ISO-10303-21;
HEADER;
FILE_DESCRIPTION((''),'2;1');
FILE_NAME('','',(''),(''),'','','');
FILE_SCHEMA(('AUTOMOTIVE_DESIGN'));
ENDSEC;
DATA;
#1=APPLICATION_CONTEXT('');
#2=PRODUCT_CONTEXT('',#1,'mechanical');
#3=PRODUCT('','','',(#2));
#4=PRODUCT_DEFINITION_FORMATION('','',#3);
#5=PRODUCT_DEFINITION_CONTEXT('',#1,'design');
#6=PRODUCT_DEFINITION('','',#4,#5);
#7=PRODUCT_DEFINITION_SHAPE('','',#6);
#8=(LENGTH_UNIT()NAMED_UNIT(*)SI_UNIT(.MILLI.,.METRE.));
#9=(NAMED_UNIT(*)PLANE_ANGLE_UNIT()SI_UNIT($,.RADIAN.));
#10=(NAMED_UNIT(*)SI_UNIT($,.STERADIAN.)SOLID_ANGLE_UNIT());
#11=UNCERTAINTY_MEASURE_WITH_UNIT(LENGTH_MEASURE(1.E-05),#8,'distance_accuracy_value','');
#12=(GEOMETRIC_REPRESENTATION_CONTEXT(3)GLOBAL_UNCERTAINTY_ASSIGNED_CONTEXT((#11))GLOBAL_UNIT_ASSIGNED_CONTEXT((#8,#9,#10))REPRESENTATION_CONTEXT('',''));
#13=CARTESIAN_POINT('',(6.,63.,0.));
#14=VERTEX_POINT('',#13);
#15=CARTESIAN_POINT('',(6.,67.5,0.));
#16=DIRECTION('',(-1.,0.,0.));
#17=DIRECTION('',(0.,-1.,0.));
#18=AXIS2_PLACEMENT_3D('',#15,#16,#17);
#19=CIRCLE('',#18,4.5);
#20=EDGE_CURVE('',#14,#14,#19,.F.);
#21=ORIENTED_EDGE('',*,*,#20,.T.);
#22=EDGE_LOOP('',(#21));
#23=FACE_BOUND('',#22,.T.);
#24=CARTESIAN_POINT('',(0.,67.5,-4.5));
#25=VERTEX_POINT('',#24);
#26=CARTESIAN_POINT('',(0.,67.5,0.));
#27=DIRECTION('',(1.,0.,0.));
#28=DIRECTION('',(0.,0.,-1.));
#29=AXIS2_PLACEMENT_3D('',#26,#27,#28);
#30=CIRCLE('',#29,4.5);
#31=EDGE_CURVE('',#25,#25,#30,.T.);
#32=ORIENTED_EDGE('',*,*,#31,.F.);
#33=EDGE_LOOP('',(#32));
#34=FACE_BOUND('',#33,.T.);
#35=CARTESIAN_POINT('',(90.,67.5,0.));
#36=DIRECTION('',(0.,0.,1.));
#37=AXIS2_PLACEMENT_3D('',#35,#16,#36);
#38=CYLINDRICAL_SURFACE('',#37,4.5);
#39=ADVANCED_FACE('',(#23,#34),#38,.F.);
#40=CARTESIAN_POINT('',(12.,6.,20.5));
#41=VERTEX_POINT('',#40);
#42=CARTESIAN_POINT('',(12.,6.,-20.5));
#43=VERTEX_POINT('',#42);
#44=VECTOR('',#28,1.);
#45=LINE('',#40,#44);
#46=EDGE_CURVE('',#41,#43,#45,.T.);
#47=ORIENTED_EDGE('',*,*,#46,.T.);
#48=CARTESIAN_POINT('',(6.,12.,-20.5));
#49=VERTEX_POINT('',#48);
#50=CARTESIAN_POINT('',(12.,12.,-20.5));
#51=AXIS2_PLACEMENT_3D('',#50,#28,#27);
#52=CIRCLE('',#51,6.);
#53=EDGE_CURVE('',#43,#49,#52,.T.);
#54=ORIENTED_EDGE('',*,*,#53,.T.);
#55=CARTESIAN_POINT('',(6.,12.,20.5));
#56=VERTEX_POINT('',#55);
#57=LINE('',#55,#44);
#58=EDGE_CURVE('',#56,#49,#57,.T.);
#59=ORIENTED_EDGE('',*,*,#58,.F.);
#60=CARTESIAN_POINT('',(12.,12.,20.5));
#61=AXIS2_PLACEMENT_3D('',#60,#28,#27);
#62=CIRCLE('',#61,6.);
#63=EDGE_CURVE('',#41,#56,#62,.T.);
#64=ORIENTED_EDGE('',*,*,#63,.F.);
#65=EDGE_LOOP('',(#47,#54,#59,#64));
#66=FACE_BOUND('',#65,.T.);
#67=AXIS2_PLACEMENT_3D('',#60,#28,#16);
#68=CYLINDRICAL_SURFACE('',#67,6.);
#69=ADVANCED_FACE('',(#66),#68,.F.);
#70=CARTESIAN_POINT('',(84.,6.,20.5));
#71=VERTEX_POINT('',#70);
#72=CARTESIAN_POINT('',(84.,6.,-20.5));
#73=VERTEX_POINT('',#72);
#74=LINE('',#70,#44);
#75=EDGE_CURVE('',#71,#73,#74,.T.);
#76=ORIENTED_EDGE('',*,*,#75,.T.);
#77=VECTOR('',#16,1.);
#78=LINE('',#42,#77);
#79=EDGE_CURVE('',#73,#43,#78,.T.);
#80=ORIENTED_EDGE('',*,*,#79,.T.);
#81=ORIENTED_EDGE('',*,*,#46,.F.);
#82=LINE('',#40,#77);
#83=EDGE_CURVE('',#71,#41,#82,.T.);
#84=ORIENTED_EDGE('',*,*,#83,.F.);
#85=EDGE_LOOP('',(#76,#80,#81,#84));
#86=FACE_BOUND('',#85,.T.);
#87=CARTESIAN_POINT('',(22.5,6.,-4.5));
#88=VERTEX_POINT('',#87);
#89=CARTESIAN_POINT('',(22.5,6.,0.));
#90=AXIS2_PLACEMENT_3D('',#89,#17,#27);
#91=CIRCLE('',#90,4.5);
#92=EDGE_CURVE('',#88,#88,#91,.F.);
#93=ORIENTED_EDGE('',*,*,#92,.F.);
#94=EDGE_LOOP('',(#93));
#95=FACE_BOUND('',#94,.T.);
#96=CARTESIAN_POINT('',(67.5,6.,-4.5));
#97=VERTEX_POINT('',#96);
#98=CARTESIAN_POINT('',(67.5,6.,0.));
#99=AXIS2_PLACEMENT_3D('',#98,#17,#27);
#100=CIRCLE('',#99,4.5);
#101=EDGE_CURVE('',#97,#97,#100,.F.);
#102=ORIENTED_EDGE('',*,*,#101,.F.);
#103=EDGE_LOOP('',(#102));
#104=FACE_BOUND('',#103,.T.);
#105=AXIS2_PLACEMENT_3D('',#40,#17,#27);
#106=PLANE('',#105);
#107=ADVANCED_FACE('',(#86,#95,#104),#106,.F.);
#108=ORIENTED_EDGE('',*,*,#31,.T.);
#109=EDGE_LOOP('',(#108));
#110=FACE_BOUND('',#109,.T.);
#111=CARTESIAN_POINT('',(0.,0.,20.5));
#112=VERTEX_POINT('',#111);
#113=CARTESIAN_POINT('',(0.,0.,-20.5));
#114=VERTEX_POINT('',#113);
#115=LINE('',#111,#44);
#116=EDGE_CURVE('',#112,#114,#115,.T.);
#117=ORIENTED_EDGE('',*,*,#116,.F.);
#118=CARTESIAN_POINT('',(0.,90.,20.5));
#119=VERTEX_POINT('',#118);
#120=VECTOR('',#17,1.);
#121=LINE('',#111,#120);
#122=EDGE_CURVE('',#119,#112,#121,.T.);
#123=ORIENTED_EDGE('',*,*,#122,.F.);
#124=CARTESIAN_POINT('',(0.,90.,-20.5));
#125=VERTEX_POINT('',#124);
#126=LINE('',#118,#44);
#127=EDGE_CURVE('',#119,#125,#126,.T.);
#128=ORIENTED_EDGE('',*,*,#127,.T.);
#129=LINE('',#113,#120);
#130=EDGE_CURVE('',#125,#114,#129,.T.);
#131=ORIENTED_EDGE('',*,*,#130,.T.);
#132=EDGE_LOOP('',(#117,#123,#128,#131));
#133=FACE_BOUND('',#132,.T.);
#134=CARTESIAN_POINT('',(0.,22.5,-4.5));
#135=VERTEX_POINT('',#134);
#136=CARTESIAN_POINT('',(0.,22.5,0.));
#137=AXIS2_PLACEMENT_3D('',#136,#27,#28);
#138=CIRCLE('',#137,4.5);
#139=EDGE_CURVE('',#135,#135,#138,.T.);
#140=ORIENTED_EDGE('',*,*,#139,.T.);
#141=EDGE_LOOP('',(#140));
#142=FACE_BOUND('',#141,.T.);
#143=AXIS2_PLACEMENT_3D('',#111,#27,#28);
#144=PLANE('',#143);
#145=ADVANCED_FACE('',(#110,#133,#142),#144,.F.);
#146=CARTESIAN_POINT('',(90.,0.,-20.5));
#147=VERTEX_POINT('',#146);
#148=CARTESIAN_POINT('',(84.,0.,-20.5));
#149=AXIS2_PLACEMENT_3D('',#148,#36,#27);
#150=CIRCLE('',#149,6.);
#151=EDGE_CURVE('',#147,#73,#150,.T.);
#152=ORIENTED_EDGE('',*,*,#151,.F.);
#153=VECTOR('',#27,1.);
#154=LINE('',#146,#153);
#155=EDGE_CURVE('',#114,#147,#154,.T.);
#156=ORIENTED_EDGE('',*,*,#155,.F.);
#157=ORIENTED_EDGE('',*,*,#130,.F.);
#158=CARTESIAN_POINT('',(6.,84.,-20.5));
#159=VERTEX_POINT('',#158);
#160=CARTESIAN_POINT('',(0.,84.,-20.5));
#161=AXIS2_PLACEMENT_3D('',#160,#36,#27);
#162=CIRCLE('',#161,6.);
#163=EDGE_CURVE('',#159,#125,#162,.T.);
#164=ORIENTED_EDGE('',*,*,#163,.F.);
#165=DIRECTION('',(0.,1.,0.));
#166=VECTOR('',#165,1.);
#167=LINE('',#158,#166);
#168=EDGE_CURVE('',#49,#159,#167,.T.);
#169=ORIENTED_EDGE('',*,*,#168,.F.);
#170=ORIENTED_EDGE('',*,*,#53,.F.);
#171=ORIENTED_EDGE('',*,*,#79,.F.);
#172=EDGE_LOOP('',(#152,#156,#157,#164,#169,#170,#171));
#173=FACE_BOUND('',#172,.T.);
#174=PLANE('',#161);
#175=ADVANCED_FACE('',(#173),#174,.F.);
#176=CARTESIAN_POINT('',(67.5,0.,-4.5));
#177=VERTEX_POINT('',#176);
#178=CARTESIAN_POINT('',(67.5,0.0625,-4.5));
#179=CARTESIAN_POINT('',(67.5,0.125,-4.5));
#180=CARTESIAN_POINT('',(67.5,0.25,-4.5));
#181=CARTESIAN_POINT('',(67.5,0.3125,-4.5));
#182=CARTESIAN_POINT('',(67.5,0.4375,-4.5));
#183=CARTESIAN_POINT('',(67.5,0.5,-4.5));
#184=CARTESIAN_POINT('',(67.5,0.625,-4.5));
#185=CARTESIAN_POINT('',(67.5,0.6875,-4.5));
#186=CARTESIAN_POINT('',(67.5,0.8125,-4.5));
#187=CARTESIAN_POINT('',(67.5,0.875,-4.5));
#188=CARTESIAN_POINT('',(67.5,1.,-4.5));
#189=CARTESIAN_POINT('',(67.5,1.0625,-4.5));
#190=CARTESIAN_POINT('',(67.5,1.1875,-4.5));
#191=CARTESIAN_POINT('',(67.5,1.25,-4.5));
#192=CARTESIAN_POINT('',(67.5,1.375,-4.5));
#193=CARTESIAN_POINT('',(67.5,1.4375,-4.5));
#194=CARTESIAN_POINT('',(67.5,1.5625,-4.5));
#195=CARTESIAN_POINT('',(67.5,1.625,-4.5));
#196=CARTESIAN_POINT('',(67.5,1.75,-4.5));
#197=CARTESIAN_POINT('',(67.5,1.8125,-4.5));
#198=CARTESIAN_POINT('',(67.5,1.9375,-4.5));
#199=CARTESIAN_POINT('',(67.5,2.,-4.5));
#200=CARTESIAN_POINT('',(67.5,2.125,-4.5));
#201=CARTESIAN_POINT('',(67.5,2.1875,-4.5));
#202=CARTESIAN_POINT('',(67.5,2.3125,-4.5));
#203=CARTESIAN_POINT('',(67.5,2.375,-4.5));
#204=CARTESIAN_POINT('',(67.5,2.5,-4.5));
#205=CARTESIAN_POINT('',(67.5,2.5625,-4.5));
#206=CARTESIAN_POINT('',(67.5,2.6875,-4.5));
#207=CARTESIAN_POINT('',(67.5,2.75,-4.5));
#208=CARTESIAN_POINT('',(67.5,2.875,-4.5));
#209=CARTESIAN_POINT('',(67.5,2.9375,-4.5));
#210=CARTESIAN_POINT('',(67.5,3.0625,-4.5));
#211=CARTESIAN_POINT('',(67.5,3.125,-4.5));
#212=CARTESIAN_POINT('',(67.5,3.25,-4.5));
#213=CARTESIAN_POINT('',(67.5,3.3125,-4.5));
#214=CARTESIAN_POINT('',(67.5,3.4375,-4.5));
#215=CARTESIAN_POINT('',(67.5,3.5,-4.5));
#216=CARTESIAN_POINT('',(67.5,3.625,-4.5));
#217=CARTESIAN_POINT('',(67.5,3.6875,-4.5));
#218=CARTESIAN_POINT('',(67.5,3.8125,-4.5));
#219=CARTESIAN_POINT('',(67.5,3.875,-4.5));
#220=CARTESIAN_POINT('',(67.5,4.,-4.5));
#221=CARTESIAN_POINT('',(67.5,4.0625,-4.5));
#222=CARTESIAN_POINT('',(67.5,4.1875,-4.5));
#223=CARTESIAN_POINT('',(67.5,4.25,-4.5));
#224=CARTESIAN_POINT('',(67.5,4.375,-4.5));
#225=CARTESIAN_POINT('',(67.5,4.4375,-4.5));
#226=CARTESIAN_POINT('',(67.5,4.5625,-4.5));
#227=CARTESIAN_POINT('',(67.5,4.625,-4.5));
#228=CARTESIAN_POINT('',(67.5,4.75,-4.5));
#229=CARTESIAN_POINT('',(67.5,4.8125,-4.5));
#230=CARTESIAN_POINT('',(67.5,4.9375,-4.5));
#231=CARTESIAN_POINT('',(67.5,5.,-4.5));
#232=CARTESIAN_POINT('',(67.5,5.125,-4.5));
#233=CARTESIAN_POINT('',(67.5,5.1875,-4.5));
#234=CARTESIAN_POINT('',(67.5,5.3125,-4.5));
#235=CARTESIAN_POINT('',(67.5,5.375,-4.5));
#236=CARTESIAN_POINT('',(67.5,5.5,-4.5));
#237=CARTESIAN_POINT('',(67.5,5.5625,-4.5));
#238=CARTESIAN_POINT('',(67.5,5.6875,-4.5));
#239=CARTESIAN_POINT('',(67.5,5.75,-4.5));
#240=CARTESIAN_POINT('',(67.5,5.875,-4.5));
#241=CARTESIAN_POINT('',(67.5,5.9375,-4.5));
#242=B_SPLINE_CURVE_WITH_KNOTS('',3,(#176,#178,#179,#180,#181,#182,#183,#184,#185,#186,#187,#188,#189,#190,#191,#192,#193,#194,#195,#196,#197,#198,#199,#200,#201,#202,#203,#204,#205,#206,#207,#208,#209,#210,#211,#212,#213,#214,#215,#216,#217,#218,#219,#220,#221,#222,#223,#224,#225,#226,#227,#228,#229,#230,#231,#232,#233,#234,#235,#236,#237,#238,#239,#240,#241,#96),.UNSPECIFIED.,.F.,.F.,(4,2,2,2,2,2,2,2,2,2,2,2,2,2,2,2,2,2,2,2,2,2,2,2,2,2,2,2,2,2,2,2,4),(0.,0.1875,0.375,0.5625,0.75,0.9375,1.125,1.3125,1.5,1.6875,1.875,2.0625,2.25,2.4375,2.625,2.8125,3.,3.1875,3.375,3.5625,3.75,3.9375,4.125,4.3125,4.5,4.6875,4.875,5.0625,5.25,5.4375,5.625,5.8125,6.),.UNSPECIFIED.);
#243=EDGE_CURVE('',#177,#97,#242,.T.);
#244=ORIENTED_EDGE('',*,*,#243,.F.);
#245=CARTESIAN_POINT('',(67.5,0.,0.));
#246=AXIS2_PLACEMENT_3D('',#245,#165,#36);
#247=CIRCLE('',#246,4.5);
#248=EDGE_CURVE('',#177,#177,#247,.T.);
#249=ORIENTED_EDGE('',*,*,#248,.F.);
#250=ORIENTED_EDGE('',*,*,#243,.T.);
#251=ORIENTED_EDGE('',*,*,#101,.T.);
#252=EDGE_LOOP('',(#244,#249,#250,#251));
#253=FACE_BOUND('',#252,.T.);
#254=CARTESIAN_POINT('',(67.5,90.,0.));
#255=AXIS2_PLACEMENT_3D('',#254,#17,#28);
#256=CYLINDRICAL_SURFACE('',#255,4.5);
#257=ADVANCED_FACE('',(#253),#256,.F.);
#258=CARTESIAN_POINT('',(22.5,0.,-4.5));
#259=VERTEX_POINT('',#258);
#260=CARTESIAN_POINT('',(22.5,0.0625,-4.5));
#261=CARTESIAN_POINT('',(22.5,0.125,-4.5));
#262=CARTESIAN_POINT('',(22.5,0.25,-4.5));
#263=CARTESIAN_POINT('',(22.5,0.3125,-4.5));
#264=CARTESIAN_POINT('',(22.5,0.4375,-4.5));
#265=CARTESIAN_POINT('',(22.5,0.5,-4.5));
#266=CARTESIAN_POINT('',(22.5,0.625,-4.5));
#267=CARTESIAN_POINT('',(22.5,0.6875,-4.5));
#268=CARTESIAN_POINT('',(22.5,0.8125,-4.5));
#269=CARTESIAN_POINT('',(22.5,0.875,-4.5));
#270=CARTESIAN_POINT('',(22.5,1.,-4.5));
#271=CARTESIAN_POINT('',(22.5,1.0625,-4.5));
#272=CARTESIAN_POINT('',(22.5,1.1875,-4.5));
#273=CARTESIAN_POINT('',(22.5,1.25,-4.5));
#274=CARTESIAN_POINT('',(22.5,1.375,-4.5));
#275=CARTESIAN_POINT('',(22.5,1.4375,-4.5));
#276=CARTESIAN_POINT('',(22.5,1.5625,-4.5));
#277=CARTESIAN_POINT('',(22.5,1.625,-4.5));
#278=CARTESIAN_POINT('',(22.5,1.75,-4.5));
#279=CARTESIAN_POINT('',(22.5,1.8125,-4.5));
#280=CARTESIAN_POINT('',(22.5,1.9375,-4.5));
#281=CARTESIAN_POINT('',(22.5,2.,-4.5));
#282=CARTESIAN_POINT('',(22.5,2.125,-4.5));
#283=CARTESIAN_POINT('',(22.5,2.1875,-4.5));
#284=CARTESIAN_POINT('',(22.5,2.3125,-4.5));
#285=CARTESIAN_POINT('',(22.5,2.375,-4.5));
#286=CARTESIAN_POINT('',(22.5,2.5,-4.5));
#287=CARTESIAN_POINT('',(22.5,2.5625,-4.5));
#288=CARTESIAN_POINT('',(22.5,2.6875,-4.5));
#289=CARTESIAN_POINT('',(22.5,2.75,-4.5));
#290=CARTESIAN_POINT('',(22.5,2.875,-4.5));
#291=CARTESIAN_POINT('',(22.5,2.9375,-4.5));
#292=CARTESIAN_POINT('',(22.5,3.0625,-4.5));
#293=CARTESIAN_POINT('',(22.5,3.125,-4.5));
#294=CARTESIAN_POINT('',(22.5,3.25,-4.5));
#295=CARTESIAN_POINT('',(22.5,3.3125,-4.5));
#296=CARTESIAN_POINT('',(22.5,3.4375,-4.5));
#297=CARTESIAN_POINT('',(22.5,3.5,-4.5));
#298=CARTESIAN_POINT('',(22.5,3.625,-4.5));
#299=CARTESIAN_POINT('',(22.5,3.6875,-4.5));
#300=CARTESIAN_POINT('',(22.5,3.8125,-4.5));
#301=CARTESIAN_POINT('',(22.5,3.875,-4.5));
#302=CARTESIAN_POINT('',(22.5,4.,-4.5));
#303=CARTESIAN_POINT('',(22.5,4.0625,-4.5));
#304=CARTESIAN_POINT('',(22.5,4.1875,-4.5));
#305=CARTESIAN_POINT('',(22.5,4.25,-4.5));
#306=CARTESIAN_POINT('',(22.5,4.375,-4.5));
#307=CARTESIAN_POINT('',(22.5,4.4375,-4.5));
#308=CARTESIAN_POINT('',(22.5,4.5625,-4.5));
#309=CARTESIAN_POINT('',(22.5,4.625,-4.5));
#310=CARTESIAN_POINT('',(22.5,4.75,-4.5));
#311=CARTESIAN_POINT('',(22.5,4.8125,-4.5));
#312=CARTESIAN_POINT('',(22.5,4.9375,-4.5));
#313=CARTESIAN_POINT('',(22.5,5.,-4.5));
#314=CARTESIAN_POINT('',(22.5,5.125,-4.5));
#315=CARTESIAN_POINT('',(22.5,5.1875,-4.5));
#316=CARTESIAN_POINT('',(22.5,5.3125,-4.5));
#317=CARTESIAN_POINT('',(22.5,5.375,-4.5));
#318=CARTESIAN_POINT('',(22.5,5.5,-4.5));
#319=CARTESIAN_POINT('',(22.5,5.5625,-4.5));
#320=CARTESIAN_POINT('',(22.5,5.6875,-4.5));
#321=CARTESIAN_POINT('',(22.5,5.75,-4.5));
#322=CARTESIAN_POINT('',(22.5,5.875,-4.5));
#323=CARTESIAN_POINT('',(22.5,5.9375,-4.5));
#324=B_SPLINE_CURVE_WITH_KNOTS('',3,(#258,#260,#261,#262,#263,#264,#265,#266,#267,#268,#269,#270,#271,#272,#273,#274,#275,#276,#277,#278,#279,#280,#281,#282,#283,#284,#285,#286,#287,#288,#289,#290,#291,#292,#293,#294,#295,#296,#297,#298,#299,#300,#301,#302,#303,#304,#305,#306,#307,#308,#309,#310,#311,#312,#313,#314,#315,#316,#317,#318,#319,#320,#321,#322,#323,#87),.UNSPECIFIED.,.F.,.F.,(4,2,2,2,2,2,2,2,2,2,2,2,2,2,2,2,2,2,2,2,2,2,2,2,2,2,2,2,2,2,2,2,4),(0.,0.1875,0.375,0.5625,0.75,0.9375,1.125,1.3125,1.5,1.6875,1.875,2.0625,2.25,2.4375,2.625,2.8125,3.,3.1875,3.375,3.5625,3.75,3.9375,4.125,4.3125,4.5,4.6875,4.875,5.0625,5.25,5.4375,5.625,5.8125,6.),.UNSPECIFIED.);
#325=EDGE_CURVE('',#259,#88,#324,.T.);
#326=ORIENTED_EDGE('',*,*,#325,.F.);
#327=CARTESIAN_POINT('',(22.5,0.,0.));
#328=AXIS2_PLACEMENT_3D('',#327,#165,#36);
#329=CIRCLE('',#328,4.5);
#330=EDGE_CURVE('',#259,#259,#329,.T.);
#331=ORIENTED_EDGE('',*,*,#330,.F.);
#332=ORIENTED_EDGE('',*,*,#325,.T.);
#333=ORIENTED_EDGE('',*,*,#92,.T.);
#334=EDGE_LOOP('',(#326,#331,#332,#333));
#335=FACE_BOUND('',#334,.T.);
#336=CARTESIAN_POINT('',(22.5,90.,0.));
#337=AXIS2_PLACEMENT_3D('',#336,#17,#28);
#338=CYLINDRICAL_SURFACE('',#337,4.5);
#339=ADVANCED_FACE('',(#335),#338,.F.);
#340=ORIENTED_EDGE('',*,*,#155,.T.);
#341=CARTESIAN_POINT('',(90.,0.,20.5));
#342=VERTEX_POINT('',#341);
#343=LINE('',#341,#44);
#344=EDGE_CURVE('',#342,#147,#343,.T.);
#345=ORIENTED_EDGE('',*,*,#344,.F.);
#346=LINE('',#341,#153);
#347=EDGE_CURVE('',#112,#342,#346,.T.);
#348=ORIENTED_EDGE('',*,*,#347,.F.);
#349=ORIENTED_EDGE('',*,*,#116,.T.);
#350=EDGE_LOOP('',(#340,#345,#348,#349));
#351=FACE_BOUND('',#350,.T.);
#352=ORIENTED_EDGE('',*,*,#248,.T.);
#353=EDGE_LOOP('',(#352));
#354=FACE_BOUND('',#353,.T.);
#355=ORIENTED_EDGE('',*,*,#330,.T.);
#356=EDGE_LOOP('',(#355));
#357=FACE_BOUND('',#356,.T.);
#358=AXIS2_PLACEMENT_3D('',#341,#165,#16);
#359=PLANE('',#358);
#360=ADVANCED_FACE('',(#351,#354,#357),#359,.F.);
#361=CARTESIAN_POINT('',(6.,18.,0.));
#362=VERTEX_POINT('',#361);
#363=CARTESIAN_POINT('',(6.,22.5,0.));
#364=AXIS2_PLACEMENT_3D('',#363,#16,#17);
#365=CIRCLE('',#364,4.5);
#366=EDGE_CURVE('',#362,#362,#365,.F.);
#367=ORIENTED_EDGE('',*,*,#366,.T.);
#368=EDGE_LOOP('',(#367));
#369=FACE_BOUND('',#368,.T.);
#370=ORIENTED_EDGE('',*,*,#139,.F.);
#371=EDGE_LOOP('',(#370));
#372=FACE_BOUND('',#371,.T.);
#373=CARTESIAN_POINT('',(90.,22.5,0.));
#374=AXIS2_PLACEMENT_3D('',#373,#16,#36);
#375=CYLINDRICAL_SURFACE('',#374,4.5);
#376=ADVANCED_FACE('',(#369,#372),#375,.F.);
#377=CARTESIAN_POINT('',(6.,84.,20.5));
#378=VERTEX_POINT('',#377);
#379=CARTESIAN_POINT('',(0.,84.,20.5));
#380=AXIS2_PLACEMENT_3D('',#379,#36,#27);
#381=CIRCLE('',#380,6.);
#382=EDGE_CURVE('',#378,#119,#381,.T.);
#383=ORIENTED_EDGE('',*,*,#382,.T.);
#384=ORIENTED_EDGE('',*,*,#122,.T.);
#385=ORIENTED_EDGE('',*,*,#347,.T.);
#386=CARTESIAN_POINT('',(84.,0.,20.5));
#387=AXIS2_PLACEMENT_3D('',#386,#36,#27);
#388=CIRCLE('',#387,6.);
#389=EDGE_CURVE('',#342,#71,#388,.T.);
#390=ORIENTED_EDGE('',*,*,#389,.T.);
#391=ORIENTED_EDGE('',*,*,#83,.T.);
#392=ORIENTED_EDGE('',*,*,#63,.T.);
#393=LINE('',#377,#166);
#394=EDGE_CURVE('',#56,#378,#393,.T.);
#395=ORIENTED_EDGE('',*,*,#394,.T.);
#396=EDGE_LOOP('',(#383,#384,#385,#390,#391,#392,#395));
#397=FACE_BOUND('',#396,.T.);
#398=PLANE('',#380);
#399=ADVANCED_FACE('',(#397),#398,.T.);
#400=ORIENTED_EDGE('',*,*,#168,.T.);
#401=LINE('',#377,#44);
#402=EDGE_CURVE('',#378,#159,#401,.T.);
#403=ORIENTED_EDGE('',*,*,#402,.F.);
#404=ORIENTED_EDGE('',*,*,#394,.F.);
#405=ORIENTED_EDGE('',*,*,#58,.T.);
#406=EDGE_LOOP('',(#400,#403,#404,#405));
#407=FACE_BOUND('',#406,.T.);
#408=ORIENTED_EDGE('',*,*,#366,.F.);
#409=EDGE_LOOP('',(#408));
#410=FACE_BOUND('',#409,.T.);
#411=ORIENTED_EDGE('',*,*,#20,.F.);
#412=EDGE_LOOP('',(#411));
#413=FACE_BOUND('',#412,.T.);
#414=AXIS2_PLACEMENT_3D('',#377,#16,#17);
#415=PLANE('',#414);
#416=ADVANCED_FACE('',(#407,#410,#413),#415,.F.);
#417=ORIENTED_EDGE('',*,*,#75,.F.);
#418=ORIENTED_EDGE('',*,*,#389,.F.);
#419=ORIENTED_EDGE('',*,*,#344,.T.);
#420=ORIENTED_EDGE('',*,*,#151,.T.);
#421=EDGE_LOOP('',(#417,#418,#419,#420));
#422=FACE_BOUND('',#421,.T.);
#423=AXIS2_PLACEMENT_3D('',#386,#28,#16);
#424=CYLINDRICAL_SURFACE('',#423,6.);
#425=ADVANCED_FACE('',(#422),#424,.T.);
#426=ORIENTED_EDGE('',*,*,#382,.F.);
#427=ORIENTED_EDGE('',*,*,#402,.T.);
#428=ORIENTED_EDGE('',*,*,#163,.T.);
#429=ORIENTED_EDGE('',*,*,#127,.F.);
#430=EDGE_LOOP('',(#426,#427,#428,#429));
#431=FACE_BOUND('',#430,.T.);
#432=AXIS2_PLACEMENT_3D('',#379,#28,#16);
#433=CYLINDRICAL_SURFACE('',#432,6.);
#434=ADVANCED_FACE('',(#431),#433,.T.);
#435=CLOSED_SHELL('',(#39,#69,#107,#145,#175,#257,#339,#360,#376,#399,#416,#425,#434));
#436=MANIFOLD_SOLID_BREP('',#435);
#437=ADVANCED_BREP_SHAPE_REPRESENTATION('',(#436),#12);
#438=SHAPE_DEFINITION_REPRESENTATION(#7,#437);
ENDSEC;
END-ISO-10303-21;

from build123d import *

# Parameters (mm, degrees)
BOSS_EXTRUDE1_DEPTH = 20.5
SKETCH2_R           = 4.5
CUT_EXTRUDE1_DEPTH  = 129.919548556
SKETCH3_R           = 4.5
CUT_EXTRUDE2_DEPTH  = 129.919548556


with BuildPart() as part:
    # Sketch1 → Boss-Extrude1 (new, symmetric)
    with BuildSketch(Plane.XY):
        with BuildLine():
            Line((0, 0), (0, 90))
            ThreePointArc((0, 90), (4.242640687, 88.242640687), (6, 84))
            Line((6, 84), (6, 12))
            ThreePointArc((6, 12), (7.757359313, 7.757359313), (12, 6))
            Line((12, 6), (84, 6))
            ThreePointArc((84, 6), (88.242640687, 4.242640687), (90, 0))
            Line((90, 0), (0, 0))
        make_face()
    extrude(amount=BOSS_EXTRUDE1_DEPTH, both=True)

    # Sketch2 → Cut-Extrude1 (cut, through all)
    with BuildSketch(Plane(origin=(0, 0, 0), x_dir=(1, 0, 0), z_dir=(0, 1, 0))):
        with Locations(Location((22.5, 0, 0), (0, 0, 90))):
            Circle(SKETCH2_R)
        with Locations(Location((67.5, 0, 0), (0, 0, 90))):
            Circle(SKETCH2_R)
    extrude(amount=CUT_EXTRUDE1_DEPTH, mode=Mode.SUBTRACT)

    # Sketch3 → Cut-Extrude2 (cut, through all)
    with BuildSketch(Plane(origin=(0, 0, 0), x_dir=(0, 0, -1), z_dir=(1, 0, 0))):
        with Locations(Location((0, 22.5, 0), (0, 0, 270))):
            Circle(SKETCH3_R)
        with Locations(Location((0, 67.5, 0), (0, 0, 270))):
            Circle(SKETCH3_R)
    extrude(amount=CUT_EXTRUDE2_DEPTH, mode=Mode.SUBTRACT)


solid = part.part
